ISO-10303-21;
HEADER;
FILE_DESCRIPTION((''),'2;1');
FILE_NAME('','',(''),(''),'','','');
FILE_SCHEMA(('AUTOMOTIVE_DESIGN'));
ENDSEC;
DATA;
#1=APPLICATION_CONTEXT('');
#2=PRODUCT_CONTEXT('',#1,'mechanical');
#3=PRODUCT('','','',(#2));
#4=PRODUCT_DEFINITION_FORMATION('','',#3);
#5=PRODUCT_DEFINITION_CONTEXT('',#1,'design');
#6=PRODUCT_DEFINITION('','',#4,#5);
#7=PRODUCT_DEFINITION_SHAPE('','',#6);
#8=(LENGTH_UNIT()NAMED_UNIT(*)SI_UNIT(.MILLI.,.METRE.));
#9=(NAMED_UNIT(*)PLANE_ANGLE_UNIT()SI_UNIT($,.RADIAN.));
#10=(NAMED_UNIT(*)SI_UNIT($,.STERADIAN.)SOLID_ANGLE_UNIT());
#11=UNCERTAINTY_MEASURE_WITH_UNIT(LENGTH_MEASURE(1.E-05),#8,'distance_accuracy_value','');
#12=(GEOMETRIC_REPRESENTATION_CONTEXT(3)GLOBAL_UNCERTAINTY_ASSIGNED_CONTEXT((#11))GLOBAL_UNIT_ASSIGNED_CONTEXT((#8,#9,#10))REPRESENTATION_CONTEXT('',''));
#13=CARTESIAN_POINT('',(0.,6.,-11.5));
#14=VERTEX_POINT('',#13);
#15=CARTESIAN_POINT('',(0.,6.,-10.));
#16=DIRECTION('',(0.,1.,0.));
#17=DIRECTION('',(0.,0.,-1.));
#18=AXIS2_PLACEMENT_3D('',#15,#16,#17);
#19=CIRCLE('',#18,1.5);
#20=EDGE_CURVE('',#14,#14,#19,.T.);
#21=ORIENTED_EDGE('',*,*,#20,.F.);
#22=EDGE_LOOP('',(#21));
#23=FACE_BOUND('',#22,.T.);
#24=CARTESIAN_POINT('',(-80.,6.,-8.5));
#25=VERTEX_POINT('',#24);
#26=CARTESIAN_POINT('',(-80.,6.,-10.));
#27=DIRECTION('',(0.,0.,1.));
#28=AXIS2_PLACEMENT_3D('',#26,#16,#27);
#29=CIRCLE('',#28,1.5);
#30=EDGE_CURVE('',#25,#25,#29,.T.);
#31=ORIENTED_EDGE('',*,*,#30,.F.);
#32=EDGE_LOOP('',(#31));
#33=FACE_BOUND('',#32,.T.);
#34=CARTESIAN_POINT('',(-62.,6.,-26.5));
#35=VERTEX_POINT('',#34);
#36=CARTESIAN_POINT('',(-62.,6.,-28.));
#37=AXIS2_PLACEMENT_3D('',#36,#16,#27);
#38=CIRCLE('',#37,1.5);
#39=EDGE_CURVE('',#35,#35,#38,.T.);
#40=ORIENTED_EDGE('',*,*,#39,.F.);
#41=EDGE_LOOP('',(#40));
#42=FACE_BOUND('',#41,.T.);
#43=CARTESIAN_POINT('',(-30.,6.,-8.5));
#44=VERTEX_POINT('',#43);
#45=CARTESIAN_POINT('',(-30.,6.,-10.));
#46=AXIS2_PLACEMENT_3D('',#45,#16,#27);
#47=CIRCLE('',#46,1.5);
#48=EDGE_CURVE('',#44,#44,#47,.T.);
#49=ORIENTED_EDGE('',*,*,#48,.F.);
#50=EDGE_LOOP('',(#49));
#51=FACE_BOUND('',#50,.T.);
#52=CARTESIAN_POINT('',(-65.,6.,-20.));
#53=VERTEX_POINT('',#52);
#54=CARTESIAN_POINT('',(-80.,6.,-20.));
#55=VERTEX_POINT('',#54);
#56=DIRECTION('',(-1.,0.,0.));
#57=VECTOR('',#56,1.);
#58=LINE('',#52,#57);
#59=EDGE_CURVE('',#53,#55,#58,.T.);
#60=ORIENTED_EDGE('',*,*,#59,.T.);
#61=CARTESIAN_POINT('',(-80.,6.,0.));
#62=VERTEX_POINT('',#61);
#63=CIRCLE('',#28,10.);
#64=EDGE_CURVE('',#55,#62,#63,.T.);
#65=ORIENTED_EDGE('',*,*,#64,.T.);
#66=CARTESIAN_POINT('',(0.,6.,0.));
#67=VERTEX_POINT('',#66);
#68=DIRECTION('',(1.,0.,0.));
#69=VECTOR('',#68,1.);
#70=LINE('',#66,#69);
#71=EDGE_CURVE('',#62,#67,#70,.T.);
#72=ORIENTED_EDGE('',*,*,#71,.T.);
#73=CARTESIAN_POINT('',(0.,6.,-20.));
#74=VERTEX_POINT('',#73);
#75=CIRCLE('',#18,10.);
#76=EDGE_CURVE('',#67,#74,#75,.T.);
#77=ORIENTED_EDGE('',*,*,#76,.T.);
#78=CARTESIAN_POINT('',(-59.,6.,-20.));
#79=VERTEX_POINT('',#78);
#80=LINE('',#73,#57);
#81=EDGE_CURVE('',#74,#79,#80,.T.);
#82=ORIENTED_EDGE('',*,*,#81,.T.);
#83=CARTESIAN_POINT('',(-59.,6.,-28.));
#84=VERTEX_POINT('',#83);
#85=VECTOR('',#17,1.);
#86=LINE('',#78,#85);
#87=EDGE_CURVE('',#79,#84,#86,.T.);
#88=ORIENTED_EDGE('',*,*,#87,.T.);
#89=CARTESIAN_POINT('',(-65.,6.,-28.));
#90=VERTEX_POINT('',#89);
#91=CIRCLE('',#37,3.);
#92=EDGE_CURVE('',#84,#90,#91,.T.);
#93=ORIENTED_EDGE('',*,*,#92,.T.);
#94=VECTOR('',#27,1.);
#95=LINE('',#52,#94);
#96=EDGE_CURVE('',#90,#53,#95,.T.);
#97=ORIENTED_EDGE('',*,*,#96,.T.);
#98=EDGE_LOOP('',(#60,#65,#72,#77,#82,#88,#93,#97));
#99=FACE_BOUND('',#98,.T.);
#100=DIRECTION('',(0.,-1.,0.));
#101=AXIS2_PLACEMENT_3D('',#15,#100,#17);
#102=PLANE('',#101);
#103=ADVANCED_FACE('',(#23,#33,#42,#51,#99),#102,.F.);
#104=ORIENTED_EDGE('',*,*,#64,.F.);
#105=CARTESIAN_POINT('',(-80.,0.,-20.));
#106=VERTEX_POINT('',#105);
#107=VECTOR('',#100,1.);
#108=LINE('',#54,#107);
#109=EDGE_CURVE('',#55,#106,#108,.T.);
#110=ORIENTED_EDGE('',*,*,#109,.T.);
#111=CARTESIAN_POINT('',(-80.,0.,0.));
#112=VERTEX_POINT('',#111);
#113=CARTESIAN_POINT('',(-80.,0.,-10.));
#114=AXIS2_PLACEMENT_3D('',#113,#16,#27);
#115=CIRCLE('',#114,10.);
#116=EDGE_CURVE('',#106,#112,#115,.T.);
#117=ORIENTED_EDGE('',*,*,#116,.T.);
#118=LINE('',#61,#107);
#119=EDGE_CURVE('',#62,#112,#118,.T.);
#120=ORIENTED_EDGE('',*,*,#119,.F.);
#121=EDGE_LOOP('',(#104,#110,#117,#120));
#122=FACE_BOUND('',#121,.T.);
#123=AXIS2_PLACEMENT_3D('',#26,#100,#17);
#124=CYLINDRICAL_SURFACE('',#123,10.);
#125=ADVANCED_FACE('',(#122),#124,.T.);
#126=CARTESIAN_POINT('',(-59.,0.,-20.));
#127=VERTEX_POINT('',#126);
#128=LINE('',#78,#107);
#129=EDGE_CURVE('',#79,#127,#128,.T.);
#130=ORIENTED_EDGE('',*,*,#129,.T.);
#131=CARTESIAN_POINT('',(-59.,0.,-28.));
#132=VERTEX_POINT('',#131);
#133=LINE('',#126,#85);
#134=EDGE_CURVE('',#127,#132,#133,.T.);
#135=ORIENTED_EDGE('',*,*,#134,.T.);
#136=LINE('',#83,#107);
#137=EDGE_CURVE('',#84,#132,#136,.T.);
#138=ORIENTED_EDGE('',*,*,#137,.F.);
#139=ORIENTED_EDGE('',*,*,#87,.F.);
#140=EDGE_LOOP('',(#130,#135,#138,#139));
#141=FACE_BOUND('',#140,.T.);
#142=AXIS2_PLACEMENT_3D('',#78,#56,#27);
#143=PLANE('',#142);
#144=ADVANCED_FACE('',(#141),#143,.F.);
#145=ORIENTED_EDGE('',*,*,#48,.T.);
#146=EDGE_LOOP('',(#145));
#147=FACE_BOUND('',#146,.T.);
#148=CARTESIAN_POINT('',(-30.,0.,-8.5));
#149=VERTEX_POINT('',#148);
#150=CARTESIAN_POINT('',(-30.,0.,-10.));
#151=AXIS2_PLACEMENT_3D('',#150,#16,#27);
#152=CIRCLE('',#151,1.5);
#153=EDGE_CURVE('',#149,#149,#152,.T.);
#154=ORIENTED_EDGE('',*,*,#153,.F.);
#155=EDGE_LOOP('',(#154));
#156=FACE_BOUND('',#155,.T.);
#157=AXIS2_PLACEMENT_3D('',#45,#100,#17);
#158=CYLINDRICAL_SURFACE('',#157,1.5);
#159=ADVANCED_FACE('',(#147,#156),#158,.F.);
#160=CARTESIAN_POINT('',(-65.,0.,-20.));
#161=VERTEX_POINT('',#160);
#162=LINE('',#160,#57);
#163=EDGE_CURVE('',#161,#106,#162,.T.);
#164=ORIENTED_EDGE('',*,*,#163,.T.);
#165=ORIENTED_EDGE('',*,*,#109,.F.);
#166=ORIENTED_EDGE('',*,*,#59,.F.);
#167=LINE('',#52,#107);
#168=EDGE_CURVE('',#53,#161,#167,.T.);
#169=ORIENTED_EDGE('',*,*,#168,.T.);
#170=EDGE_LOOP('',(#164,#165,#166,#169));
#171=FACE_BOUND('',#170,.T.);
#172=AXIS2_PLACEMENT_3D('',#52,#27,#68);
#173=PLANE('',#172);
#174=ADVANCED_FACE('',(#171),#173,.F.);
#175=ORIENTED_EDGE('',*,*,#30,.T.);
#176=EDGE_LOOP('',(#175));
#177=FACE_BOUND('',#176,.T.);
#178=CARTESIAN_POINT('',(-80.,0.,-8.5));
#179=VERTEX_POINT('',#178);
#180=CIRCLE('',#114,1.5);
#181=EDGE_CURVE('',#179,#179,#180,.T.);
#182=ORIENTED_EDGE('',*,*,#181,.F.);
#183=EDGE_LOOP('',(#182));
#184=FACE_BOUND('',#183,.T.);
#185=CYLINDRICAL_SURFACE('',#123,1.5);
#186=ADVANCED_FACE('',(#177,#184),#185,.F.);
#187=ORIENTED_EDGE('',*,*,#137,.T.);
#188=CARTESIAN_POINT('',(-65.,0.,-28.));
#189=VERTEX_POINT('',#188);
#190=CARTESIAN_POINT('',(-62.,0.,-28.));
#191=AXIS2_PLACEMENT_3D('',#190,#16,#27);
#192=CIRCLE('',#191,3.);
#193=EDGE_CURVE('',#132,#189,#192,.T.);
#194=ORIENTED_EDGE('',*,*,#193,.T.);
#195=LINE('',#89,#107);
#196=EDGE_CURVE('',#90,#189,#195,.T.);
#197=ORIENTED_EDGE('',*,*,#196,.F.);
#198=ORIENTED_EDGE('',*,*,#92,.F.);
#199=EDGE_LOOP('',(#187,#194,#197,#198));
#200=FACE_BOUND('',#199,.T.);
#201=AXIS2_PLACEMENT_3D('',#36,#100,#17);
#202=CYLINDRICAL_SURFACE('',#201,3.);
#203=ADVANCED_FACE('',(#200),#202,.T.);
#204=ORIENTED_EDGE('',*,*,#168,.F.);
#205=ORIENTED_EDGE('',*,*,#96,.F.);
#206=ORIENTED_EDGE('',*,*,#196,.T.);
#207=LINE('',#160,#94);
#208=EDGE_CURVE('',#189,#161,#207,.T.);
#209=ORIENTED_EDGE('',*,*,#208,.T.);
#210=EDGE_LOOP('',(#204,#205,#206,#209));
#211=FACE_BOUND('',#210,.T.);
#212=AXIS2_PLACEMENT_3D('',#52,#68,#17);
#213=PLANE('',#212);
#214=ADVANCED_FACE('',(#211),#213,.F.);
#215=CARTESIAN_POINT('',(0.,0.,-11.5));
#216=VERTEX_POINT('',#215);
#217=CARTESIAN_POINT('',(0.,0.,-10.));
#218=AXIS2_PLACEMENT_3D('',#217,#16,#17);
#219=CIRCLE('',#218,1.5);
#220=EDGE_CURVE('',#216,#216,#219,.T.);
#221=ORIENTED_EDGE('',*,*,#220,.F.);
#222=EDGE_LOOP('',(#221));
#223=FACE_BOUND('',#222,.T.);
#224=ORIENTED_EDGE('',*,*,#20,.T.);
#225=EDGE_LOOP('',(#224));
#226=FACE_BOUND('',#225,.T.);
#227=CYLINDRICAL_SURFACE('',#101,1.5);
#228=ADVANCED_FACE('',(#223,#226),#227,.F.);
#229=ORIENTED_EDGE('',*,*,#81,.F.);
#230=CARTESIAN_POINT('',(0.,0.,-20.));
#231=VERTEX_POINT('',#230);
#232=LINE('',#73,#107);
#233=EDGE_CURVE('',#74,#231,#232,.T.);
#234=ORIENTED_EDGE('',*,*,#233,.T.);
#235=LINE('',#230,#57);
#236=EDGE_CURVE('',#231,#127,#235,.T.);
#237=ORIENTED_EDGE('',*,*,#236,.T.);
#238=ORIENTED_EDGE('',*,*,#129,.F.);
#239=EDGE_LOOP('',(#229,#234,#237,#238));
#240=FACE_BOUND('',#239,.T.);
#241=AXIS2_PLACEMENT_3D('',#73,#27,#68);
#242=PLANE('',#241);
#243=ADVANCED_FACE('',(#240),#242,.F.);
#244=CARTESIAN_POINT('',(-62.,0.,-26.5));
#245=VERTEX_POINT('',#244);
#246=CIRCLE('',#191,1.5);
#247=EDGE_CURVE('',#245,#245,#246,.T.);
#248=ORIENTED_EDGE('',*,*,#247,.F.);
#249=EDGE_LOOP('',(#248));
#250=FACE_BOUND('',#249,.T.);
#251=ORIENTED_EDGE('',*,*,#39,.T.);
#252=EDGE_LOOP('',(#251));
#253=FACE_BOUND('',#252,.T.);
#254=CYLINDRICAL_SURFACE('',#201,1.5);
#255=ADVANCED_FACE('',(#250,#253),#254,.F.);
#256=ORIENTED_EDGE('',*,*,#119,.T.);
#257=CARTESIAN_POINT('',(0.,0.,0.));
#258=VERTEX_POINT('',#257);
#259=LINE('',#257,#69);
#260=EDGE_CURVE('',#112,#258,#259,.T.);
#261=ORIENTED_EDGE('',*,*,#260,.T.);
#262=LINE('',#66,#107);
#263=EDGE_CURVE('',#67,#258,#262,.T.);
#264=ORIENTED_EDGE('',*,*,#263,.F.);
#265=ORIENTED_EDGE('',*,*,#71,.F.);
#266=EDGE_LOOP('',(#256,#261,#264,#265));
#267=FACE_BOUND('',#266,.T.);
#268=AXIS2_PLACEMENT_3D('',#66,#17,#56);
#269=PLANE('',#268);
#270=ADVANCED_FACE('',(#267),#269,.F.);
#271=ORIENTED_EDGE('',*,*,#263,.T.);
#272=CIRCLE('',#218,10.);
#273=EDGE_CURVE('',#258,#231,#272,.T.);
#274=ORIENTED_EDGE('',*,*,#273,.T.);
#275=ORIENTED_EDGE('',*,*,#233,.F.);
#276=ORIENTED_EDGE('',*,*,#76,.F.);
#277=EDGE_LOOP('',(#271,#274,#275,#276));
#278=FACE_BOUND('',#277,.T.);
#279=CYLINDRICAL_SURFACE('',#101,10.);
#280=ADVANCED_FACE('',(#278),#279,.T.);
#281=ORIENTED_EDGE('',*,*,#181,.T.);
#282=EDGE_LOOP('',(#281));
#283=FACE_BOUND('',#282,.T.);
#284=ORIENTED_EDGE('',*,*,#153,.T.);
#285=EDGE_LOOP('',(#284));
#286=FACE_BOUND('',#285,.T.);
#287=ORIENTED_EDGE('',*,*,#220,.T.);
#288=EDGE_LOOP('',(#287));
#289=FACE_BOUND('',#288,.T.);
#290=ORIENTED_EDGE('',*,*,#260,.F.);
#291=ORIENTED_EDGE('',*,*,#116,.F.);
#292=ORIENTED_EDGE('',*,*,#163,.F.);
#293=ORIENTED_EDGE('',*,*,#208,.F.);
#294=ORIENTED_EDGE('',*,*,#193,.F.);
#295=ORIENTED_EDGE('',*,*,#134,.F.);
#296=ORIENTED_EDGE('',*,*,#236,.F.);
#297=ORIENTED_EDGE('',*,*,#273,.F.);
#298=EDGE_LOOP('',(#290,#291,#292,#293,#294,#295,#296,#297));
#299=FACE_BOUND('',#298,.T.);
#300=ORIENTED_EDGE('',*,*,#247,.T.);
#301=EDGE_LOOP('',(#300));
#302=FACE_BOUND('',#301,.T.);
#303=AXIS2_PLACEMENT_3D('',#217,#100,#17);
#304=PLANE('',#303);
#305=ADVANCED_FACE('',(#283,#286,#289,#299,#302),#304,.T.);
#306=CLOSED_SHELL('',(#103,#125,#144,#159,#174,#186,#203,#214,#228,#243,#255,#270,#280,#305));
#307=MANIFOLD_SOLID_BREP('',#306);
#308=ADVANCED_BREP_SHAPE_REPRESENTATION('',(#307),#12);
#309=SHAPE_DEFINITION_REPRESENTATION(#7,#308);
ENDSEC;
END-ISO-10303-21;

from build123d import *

# Parameters (mm, degrees)
SKETCH1_R           = 1.5
BOSS_EXTRUDE1_DEPTH = 6


with BuildPart() as part:
    # Sketch1 → Boss-Extrude1 (new body)
    with BuildSketch(Plane(origin=(0, 0, 0), x_dir=(1, 0, 0), z_dir=(0, 1, 0))):
        with BuildLine():
            Line((0, 0), (-80, 0))
            ThreePointArc((-80, 0), (-90, 10), (-80, 20))
            Line((-80, 20), (-65, 20))
            Line((-65, 20), (-65, 28))
            ThreePointArc((-65, 28), (-62, 31), (-59, 28))
            Line((-59, 28), (-59, 20))
            Line((-59, 20), (0, 20))
            ThreePointArc((0, 20), (10, 10), (0, 0))
        make_face()
        with Locations((-80, 10)):
            Circle(SKETCH1_R, mode=Mode.SUBTRACT)
        with Locations((0, 10)):
            Circle(SKETCH1_R, mode=Mode.SUBTRACT)
        with Locations((-30, 10)):
            Circle(SKETCH1_R, mode=Mode.SUBTRACT)
        with Locations((-62, 28)):
            Circle(SKETCH1_R, mode=Mode.SUBTRACT)
    extrude(amount=BOSS_EXTRUDE1_DEPTH)


solid = part.part
